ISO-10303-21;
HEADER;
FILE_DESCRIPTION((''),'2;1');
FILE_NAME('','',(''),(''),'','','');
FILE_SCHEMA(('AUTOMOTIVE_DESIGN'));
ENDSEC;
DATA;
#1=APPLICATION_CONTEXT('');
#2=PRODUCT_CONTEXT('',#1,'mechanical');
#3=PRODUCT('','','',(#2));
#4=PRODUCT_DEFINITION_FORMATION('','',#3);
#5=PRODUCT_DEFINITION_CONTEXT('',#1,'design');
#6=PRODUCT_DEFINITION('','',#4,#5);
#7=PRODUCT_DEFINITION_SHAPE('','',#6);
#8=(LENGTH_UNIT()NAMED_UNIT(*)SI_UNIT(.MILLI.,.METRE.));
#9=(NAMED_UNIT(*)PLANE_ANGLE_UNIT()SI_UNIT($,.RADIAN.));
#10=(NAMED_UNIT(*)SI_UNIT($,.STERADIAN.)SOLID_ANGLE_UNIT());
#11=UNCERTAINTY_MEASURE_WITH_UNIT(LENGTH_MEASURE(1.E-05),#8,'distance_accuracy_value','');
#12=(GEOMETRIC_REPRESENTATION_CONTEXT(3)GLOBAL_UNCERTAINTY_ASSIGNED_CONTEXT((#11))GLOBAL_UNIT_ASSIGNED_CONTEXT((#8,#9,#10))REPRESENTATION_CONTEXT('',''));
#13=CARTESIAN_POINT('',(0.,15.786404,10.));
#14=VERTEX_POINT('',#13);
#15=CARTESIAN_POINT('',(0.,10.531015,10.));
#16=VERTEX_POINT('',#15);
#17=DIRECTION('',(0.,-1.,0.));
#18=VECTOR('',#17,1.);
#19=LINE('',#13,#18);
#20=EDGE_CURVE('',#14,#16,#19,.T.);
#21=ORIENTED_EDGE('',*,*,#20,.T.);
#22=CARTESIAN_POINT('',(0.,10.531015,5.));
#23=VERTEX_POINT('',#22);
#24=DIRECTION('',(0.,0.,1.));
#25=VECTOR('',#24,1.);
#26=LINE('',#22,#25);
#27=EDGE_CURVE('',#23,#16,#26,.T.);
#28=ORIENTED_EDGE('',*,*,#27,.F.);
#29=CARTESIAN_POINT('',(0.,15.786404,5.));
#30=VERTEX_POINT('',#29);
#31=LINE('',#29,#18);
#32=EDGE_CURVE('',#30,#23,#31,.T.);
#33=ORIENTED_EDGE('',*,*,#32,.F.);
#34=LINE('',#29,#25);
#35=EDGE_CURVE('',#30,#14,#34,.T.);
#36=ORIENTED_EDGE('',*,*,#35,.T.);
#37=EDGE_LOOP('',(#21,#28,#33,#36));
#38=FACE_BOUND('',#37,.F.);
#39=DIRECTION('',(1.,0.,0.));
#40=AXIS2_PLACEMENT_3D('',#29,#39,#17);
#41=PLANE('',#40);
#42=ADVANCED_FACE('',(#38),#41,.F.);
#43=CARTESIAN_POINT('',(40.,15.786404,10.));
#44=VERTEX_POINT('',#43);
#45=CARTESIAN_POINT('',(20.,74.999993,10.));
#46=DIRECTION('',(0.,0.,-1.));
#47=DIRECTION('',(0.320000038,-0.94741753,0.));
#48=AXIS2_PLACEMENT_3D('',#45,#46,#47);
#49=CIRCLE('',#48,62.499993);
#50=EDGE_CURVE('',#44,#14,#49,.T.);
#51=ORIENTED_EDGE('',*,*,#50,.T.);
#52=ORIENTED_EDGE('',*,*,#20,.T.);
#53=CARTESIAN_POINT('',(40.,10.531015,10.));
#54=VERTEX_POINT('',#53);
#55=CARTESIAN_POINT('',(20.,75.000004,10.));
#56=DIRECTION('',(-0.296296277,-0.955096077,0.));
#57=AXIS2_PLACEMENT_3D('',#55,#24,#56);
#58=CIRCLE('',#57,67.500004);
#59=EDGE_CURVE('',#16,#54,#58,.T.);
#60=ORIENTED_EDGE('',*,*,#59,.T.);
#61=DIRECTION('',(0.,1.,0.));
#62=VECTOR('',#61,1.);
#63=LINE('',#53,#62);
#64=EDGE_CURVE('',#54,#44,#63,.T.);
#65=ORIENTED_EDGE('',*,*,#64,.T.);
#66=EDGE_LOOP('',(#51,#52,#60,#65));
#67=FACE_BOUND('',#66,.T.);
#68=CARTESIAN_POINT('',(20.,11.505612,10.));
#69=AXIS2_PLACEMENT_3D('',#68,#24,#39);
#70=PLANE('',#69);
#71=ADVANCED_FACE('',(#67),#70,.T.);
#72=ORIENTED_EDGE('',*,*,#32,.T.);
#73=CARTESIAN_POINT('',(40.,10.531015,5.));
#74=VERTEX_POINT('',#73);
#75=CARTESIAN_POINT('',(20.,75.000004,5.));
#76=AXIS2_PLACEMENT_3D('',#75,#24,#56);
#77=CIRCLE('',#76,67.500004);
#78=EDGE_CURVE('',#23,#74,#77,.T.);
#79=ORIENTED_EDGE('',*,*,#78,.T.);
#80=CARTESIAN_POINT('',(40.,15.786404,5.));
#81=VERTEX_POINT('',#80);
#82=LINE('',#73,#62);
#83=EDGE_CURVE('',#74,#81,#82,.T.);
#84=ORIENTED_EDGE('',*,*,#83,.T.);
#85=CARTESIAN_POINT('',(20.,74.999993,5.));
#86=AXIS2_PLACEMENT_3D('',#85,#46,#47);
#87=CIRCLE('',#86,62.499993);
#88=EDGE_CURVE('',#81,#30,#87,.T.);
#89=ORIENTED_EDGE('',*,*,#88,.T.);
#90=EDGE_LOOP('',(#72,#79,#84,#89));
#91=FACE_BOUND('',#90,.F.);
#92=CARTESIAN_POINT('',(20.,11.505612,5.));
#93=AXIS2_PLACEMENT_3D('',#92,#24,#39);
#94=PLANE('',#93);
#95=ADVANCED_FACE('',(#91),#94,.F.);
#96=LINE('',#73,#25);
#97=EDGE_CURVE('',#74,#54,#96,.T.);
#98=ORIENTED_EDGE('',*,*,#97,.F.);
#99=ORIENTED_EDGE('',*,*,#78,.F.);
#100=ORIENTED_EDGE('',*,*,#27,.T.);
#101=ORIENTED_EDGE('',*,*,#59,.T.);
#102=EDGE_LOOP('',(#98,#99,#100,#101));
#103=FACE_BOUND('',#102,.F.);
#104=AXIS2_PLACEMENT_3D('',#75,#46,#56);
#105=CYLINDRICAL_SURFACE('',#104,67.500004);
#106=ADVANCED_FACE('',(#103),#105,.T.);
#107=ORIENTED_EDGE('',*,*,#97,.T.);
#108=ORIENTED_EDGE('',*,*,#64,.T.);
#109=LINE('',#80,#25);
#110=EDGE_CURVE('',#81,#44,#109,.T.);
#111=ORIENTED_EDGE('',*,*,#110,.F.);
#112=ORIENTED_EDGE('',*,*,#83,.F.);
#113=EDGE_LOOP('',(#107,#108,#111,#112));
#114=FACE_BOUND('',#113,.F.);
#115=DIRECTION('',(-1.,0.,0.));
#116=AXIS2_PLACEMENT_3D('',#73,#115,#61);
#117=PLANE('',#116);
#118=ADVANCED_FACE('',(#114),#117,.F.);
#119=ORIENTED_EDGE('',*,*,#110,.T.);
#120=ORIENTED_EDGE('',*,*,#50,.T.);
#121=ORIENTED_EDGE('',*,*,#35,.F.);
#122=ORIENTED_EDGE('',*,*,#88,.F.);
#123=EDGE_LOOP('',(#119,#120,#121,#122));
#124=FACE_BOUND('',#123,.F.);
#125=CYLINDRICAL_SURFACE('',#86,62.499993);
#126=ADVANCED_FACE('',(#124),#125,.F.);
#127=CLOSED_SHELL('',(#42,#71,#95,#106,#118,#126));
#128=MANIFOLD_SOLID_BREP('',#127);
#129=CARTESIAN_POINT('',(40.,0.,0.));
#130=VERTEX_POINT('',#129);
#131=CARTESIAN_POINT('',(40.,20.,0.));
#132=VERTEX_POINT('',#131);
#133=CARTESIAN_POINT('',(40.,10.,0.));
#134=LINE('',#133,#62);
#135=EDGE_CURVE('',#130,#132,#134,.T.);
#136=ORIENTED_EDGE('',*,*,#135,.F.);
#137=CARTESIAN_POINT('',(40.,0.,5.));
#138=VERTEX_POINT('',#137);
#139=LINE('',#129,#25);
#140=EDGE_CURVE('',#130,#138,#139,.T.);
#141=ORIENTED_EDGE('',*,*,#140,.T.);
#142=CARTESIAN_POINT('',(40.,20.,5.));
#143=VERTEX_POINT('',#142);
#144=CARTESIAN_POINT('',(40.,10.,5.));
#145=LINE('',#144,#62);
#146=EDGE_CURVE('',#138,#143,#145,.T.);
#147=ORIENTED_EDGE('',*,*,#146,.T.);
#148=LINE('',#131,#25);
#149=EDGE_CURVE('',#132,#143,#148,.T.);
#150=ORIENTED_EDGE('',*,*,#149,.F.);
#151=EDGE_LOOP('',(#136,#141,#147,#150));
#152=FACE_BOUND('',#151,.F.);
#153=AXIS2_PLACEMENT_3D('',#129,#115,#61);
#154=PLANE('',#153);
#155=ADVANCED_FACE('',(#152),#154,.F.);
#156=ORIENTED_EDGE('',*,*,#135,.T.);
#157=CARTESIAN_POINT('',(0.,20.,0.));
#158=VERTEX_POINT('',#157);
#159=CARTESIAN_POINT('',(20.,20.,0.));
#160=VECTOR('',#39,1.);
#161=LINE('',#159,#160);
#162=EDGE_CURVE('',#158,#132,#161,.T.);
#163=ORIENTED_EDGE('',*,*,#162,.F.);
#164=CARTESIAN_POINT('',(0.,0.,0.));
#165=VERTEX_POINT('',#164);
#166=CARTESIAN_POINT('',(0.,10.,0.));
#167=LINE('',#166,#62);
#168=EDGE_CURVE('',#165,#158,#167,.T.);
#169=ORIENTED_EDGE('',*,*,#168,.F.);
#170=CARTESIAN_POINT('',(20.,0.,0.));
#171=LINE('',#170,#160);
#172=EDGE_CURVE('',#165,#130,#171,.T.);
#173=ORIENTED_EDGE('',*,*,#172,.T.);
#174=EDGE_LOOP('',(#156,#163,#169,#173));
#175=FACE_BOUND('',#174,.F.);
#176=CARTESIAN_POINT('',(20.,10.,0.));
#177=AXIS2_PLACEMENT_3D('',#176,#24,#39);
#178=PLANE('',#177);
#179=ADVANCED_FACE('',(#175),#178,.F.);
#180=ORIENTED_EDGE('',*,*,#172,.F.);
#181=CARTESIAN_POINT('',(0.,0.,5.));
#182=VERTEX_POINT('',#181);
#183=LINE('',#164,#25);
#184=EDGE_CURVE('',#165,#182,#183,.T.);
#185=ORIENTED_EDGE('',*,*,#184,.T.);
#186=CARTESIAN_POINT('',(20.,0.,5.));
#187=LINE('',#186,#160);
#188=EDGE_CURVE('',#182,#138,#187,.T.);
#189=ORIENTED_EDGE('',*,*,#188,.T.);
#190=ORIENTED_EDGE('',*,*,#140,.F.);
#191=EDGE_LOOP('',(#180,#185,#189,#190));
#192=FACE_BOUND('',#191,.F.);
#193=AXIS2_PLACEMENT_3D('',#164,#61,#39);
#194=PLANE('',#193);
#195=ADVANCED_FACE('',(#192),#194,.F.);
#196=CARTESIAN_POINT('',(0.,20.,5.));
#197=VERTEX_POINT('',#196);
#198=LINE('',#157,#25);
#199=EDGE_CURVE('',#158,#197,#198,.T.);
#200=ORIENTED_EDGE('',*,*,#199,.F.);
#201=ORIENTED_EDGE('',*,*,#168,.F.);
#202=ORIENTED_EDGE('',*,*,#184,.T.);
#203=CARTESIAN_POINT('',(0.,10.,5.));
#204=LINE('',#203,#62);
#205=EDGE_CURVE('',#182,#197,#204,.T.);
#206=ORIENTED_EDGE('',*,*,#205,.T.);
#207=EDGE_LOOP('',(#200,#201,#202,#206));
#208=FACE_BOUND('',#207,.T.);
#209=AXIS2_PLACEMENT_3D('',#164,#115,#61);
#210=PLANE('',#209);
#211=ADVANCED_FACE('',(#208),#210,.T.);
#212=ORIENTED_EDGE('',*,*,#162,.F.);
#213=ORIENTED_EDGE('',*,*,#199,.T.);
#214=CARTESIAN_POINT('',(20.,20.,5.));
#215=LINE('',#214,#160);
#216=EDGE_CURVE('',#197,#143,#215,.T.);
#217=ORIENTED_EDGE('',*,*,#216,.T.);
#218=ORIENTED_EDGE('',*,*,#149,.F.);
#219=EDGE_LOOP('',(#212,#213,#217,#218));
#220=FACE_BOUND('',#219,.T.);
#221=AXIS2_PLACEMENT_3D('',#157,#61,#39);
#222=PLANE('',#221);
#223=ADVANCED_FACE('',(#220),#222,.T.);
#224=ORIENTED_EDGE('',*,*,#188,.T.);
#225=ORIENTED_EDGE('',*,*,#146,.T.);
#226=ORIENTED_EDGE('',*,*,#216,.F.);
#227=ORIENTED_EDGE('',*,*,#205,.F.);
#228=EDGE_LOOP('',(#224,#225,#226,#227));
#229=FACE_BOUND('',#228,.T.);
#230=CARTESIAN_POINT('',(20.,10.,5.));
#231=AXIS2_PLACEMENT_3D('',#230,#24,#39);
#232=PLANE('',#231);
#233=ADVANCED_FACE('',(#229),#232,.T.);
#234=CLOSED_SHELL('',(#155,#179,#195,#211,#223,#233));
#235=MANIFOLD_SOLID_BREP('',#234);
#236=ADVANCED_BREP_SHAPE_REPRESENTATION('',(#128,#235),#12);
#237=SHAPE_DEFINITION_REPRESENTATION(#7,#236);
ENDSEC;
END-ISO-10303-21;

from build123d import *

# Parameters (mm, degrees)
F0_W     = 40
F0_H     = 20
F1_DEPTH = 5
F3_DEPTH = 5


with BuildPart() as f1:
    # F0 (on Top) → F1 (new body)
    with BuildSketch(Plane.XY):
        with Locations((20, 10)):
            Rectangle(F0_W, F0_H)
    extrude(amount=F1_DEPTH)


with BuildPart() as f3:
    # F2 (on face) → F3 (new body)
    with BuildSketch(Plane.XY.offset(5)):
        with BuildLine():
            Line((0, 15.786404), (0, 10.531015))
            ThreePointArc((0, 10.531015), (20, 7.5), (40, 10.531015))
            Line((40, 10.531015), (40, 15.786404))
            ThreePointArc((40, 15.786404), (20, 12.5), (0, 15.786404))
        make_face()
    extrude(amount=F3_DEPTH)


solid = Compound([f1.part, f3.part])
